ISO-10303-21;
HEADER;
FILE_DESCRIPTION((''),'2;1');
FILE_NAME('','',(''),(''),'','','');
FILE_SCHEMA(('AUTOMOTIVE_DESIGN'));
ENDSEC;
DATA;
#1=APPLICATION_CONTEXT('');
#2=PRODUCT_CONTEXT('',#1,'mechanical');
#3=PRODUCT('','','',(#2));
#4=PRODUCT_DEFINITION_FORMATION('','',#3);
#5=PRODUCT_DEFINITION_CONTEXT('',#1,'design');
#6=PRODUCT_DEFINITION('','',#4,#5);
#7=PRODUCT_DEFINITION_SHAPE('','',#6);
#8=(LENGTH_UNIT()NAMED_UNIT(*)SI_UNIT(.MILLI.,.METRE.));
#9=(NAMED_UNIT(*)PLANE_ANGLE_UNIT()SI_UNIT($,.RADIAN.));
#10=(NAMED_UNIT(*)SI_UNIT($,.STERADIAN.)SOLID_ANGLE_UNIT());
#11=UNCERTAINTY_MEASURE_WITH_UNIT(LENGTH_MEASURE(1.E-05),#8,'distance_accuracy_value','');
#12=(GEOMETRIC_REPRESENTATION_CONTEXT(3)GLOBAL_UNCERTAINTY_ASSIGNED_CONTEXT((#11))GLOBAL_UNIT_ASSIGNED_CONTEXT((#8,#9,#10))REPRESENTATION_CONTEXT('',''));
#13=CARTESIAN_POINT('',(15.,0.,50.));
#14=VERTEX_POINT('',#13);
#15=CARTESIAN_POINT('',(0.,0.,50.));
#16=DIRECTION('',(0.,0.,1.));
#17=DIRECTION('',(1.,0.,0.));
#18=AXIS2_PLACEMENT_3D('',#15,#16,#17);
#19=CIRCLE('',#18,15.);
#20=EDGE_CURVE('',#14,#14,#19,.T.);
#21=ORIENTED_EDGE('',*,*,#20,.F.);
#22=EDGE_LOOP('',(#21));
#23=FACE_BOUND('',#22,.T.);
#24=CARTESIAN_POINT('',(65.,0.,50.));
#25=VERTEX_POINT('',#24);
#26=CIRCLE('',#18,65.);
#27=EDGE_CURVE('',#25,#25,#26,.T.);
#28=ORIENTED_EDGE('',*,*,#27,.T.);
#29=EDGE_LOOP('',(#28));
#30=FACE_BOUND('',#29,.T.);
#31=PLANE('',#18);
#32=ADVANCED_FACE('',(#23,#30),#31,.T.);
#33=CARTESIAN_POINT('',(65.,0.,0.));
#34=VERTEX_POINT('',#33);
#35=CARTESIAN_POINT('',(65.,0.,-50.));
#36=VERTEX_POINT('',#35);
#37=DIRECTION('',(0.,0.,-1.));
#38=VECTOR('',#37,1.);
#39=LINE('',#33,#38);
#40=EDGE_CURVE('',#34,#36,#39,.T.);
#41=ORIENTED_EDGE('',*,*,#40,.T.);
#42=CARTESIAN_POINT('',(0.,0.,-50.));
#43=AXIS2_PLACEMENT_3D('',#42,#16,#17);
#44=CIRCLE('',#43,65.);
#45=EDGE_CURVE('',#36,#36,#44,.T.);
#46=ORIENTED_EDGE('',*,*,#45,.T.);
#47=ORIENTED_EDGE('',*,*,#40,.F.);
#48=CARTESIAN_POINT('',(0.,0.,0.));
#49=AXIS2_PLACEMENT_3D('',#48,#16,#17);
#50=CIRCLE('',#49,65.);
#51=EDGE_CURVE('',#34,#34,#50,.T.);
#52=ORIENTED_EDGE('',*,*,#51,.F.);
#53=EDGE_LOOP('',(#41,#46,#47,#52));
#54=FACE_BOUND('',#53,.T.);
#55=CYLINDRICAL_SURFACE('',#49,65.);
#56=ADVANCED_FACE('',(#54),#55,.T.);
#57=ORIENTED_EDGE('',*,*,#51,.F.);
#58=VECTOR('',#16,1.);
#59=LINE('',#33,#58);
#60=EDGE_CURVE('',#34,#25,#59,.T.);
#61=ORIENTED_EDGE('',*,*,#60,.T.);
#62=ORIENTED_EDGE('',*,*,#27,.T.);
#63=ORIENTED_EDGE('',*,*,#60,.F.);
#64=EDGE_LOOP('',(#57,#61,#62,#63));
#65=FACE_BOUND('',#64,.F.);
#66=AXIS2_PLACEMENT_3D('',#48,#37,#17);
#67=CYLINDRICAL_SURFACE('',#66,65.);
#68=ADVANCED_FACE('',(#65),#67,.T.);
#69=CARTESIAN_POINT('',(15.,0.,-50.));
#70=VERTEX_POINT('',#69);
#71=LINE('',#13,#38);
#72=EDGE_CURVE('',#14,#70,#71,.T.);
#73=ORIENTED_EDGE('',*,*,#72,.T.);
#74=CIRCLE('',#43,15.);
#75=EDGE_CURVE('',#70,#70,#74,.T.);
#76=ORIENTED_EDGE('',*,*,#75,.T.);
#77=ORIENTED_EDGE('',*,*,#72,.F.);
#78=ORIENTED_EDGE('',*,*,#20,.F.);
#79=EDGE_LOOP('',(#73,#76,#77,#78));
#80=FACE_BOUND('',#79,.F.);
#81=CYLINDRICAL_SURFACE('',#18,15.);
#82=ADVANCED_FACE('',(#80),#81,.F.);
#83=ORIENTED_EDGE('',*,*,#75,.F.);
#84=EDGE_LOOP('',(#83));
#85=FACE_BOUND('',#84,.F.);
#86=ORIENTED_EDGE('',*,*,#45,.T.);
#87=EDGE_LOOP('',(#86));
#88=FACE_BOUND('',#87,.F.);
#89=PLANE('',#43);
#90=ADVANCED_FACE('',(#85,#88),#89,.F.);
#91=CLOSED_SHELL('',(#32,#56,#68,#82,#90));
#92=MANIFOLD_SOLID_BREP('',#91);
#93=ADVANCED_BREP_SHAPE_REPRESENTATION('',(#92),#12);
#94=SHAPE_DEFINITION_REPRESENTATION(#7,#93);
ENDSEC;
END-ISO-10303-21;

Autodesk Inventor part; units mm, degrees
ref_plane "YZ Plane" through (0, 0, 0) normal (1, 0, 0) x (0, 1, 0)
ref_plane "XZ Plane" through (0, 0, 0) normal (0, 1, 0) x (-1, 0, 0)
ref_plane "XY Plane" through (0, 0, 0) normal (0, 0, 1) x (1, 0, 0)
sketch "Sketch1" plane through (0, 0, 0) normal (0, 0, 1) x (1, 0, 0)
  circle A0 centre (0, 0) radius 65
  dimension "d0" = 130
extrude "Extrusion1" add sketch "Sketch1" along normal mid plane 100
sketch "Sketch2" plane through (0, 0, 50) normal (0, 0, 1) x (1, 0, 0)
  circle A0 centre (0, 0) radius 15
  dimension "d3" = 30
extrude "Extrusion2" cut sketch "Sketch2" against normal through all
properties part number "PULSED_TRANSFER"
